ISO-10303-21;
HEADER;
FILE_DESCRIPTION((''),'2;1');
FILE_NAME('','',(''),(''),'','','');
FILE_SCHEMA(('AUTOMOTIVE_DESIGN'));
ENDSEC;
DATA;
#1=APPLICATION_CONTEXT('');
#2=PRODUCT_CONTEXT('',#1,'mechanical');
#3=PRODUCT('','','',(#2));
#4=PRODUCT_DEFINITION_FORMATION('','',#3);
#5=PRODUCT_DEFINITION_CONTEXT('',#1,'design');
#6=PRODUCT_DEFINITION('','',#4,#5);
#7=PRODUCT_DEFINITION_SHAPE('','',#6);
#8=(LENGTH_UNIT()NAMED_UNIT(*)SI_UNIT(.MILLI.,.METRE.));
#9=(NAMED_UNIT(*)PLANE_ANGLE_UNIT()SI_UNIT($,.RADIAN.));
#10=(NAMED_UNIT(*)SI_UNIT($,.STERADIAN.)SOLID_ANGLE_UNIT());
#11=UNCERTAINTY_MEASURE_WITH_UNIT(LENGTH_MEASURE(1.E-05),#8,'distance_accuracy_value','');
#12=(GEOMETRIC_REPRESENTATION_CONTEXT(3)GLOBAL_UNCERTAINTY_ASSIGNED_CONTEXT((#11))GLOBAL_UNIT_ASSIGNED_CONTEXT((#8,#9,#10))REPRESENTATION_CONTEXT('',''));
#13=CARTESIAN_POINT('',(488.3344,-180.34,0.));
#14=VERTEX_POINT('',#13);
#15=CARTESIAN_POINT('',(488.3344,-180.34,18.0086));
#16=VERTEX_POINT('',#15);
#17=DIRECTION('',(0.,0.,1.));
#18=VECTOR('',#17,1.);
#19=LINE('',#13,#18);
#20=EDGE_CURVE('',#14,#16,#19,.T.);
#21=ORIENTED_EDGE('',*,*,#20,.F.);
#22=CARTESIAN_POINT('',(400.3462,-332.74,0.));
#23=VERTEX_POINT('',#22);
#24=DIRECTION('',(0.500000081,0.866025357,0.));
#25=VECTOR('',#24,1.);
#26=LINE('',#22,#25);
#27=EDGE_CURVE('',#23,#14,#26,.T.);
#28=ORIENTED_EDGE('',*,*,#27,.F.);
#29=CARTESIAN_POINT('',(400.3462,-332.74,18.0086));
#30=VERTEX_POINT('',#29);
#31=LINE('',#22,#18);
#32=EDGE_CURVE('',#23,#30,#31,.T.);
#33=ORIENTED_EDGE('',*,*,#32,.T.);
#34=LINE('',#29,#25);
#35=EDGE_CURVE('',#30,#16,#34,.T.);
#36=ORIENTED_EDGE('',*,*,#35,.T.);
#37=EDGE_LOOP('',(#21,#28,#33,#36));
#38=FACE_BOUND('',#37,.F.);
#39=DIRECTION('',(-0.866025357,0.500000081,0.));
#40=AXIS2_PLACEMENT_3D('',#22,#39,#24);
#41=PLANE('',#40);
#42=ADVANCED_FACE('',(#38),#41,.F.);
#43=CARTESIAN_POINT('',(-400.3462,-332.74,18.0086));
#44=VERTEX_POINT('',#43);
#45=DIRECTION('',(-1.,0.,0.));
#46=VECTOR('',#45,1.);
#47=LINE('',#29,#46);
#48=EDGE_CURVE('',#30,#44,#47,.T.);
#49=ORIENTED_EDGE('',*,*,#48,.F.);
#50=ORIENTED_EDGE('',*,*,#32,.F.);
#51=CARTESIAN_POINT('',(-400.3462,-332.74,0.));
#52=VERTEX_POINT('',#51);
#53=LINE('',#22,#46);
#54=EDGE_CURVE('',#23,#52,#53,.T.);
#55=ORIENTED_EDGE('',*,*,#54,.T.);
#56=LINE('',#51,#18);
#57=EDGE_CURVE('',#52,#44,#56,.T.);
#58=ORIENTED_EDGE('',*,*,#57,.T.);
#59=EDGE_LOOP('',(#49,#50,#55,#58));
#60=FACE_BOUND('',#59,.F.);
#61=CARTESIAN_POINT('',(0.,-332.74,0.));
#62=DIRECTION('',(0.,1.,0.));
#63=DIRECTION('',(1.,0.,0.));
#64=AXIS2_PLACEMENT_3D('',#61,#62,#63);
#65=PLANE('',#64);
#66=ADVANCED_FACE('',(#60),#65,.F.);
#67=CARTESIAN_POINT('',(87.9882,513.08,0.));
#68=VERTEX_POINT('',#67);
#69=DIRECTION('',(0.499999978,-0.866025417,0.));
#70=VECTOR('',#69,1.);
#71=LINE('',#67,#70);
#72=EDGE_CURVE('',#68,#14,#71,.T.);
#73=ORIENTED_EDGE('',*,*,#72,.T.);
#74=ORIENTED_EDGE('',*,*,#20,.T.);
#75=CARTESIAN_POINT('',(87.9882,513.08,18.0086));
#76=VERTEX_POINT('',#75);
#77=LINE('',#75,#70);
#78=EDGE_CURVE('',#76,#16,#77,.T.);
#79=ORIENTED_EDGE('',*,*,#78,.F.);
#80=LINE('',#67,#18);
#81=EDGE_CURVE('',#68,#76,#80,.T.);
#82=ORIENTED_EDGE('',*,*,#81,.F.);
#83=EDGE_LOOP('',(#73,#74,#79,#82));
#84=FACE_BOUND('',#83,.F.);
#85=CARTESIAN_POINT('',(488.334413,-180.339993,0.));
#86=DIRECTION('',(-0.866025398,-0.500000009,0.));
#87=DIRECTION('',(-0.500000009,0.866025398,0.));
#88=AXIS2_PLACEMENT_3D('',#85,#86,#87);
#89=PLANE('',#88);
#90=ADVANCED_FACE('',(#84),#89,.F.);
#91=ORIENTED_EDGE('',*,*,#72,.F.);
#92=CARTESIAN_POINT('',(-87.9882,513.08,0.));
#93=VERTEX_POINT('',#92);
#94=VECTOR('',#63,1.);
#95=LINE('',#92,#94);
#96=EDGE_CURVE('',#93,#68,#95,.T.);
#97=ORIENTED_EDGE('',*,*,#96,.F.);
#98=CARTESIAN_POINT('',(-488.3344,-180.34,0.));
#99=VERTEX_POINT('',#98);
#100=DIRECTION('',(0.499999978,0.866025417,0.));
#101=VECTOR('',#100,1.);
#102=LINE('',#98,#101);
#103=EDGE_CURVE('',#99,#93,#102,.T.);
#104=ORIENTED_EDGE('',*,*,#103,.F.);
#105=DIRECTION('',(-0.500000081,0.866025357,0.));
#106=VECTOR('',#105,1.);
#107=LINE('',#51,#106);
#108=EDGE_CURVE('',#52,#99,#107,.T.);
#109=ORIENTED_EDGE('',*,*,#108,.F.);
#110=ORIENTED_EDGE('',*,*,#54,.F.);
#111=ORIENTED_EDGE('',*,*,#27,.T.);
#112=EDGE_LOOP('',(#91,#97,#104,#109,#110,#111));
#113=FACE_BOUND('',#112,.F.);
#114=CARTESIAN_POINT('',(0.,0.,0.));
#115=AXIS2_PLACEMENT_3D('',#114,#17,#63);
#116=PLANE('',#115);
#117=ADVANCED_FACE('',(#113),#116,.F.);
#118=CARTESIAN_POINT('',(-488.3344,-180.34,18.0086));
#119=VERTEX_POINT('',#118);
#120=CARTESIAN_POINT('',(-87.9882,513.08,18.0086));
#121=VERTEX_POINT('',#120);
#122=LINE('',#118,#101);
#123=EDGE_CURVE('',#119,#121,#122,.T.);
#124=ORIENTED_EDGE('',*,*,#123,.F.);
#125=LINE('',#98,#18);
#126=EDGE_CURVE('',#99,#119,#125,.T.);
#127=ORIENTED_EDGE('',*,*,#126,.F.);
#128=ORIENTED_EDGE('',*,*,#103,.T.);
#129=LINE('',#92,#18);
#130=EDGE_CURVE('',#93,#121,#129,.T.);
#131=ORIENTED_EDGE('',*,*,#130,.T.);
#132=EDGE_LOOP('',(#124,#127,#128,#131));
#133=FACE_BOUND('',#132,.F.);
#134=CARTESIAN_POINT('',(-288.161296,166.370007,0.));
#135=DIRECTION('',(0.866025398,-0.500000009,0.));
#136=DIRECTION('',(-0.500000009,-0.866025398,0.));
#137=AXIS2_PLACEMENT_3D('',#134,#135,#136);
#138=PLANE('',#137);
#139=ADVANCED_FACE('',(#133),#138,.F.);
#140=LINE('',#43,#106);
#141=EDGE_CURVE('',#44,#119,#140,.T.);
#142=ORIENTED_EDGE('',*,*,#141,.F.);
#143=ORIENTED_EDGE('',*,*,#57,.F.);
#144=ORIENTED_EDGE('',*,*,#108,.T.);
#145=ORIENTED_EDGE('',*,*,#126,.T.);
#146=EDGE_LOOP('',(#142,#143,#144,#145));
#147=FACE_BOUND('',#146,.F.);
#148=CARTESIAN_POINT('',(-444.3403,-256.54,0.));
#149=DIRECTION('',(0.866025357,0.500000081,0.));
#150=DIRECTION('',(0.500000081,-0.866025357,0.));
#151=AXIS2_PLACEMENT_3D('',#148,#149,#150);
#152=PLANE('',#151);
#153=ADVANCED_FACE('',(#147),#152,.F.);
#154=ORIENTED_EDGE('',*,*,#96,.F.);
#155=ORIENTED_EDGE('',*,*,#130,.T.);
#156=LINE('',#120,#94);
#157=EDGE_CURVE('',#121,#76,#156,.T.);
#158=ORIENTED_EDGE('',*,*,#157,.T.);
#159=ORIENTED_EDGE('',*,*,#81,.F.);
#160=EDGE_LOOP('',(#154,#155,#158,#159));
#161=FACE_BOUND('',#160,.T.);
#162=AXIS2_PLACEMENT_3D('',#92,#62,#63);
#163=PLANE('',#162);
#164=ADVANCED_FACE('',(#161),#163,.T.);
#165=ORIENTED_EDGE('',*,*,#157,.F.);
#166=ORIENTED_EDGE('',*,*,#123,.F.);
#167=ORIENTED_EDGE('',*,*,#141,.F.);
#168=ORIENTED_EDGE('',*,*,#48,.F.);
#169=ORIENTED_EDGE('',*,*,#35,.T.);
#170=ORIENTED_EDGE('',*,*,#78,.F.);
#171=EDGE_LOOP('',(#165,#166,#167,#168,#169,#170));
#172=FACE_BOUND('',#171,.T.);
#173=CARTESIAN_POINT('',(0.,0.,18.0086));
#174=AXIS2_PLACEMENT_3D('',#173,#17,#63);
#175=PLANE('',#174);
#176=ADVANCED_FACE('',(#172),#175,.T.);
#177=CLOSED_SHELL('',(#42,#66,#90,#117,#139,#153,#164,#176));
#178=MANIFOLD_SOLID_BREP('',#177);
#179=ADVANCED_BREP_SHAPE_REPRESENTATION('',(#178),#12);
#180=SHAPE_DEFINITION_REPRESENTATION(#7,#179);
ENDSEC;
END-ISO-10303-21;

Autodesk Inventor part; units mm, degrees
ref_plane "YZ Plane" through (0, 0, 0) normal (1, 0, 0) x (0, 1, 0)
ref_plane "XZ Plane" through (0, 0, 0) normal (0, 1, 0) x (-1, 0, 0)
ref_plane "XY Plane" through (0, 0, 0) normal (0, 0, 1) x (1, 0, 0)
sketch "Sketch1" plane through (0, 0, 0) normal (0, 0, 1) x (1, 0, 0)
  circle A0 centre (0, 0) radius 332.74
  line L0 (0, 665.48) -> (-576.3226, -332.74)
  line L1 (-576.3226, -332.74) -> (576.3226, -332.74)
  line L2 (576.3226, -332.74) -> (0, 665.48)
  line L3 (-488.3344, -180.34) -> (-400.3462, -332.74)
  line L4 (-444.3403, -256.54) -> (-576.3226, -332.74)
  line L5 (400.3462, -332.74) -> (488.3344, -180.34)
  line L6 (-87.9882, 513.08) -> (87.9882, 513.08)
  point P0 (444.3403, -256.54)
  point P1 (0, 513.08)
  dimension "d0" = 665.48
  dimension "d1" = 60
  dimension "d2" = 60
  dimension "d3" = 60
  dimension "d4" = 60
  dimension "d5" = 152.4
  dimension "d6" = 60
  dimension "d7" = 152.4
  dimension "d8" = 152.4
extrude "Extrusion1" add sketch "Sketch1" along normal blind 18.0086 contours A0 | A0 L2 L5 L1 | A0 L0 L6 L2 | L1 L3 L0 A0
properties part number "Triangle Base"
